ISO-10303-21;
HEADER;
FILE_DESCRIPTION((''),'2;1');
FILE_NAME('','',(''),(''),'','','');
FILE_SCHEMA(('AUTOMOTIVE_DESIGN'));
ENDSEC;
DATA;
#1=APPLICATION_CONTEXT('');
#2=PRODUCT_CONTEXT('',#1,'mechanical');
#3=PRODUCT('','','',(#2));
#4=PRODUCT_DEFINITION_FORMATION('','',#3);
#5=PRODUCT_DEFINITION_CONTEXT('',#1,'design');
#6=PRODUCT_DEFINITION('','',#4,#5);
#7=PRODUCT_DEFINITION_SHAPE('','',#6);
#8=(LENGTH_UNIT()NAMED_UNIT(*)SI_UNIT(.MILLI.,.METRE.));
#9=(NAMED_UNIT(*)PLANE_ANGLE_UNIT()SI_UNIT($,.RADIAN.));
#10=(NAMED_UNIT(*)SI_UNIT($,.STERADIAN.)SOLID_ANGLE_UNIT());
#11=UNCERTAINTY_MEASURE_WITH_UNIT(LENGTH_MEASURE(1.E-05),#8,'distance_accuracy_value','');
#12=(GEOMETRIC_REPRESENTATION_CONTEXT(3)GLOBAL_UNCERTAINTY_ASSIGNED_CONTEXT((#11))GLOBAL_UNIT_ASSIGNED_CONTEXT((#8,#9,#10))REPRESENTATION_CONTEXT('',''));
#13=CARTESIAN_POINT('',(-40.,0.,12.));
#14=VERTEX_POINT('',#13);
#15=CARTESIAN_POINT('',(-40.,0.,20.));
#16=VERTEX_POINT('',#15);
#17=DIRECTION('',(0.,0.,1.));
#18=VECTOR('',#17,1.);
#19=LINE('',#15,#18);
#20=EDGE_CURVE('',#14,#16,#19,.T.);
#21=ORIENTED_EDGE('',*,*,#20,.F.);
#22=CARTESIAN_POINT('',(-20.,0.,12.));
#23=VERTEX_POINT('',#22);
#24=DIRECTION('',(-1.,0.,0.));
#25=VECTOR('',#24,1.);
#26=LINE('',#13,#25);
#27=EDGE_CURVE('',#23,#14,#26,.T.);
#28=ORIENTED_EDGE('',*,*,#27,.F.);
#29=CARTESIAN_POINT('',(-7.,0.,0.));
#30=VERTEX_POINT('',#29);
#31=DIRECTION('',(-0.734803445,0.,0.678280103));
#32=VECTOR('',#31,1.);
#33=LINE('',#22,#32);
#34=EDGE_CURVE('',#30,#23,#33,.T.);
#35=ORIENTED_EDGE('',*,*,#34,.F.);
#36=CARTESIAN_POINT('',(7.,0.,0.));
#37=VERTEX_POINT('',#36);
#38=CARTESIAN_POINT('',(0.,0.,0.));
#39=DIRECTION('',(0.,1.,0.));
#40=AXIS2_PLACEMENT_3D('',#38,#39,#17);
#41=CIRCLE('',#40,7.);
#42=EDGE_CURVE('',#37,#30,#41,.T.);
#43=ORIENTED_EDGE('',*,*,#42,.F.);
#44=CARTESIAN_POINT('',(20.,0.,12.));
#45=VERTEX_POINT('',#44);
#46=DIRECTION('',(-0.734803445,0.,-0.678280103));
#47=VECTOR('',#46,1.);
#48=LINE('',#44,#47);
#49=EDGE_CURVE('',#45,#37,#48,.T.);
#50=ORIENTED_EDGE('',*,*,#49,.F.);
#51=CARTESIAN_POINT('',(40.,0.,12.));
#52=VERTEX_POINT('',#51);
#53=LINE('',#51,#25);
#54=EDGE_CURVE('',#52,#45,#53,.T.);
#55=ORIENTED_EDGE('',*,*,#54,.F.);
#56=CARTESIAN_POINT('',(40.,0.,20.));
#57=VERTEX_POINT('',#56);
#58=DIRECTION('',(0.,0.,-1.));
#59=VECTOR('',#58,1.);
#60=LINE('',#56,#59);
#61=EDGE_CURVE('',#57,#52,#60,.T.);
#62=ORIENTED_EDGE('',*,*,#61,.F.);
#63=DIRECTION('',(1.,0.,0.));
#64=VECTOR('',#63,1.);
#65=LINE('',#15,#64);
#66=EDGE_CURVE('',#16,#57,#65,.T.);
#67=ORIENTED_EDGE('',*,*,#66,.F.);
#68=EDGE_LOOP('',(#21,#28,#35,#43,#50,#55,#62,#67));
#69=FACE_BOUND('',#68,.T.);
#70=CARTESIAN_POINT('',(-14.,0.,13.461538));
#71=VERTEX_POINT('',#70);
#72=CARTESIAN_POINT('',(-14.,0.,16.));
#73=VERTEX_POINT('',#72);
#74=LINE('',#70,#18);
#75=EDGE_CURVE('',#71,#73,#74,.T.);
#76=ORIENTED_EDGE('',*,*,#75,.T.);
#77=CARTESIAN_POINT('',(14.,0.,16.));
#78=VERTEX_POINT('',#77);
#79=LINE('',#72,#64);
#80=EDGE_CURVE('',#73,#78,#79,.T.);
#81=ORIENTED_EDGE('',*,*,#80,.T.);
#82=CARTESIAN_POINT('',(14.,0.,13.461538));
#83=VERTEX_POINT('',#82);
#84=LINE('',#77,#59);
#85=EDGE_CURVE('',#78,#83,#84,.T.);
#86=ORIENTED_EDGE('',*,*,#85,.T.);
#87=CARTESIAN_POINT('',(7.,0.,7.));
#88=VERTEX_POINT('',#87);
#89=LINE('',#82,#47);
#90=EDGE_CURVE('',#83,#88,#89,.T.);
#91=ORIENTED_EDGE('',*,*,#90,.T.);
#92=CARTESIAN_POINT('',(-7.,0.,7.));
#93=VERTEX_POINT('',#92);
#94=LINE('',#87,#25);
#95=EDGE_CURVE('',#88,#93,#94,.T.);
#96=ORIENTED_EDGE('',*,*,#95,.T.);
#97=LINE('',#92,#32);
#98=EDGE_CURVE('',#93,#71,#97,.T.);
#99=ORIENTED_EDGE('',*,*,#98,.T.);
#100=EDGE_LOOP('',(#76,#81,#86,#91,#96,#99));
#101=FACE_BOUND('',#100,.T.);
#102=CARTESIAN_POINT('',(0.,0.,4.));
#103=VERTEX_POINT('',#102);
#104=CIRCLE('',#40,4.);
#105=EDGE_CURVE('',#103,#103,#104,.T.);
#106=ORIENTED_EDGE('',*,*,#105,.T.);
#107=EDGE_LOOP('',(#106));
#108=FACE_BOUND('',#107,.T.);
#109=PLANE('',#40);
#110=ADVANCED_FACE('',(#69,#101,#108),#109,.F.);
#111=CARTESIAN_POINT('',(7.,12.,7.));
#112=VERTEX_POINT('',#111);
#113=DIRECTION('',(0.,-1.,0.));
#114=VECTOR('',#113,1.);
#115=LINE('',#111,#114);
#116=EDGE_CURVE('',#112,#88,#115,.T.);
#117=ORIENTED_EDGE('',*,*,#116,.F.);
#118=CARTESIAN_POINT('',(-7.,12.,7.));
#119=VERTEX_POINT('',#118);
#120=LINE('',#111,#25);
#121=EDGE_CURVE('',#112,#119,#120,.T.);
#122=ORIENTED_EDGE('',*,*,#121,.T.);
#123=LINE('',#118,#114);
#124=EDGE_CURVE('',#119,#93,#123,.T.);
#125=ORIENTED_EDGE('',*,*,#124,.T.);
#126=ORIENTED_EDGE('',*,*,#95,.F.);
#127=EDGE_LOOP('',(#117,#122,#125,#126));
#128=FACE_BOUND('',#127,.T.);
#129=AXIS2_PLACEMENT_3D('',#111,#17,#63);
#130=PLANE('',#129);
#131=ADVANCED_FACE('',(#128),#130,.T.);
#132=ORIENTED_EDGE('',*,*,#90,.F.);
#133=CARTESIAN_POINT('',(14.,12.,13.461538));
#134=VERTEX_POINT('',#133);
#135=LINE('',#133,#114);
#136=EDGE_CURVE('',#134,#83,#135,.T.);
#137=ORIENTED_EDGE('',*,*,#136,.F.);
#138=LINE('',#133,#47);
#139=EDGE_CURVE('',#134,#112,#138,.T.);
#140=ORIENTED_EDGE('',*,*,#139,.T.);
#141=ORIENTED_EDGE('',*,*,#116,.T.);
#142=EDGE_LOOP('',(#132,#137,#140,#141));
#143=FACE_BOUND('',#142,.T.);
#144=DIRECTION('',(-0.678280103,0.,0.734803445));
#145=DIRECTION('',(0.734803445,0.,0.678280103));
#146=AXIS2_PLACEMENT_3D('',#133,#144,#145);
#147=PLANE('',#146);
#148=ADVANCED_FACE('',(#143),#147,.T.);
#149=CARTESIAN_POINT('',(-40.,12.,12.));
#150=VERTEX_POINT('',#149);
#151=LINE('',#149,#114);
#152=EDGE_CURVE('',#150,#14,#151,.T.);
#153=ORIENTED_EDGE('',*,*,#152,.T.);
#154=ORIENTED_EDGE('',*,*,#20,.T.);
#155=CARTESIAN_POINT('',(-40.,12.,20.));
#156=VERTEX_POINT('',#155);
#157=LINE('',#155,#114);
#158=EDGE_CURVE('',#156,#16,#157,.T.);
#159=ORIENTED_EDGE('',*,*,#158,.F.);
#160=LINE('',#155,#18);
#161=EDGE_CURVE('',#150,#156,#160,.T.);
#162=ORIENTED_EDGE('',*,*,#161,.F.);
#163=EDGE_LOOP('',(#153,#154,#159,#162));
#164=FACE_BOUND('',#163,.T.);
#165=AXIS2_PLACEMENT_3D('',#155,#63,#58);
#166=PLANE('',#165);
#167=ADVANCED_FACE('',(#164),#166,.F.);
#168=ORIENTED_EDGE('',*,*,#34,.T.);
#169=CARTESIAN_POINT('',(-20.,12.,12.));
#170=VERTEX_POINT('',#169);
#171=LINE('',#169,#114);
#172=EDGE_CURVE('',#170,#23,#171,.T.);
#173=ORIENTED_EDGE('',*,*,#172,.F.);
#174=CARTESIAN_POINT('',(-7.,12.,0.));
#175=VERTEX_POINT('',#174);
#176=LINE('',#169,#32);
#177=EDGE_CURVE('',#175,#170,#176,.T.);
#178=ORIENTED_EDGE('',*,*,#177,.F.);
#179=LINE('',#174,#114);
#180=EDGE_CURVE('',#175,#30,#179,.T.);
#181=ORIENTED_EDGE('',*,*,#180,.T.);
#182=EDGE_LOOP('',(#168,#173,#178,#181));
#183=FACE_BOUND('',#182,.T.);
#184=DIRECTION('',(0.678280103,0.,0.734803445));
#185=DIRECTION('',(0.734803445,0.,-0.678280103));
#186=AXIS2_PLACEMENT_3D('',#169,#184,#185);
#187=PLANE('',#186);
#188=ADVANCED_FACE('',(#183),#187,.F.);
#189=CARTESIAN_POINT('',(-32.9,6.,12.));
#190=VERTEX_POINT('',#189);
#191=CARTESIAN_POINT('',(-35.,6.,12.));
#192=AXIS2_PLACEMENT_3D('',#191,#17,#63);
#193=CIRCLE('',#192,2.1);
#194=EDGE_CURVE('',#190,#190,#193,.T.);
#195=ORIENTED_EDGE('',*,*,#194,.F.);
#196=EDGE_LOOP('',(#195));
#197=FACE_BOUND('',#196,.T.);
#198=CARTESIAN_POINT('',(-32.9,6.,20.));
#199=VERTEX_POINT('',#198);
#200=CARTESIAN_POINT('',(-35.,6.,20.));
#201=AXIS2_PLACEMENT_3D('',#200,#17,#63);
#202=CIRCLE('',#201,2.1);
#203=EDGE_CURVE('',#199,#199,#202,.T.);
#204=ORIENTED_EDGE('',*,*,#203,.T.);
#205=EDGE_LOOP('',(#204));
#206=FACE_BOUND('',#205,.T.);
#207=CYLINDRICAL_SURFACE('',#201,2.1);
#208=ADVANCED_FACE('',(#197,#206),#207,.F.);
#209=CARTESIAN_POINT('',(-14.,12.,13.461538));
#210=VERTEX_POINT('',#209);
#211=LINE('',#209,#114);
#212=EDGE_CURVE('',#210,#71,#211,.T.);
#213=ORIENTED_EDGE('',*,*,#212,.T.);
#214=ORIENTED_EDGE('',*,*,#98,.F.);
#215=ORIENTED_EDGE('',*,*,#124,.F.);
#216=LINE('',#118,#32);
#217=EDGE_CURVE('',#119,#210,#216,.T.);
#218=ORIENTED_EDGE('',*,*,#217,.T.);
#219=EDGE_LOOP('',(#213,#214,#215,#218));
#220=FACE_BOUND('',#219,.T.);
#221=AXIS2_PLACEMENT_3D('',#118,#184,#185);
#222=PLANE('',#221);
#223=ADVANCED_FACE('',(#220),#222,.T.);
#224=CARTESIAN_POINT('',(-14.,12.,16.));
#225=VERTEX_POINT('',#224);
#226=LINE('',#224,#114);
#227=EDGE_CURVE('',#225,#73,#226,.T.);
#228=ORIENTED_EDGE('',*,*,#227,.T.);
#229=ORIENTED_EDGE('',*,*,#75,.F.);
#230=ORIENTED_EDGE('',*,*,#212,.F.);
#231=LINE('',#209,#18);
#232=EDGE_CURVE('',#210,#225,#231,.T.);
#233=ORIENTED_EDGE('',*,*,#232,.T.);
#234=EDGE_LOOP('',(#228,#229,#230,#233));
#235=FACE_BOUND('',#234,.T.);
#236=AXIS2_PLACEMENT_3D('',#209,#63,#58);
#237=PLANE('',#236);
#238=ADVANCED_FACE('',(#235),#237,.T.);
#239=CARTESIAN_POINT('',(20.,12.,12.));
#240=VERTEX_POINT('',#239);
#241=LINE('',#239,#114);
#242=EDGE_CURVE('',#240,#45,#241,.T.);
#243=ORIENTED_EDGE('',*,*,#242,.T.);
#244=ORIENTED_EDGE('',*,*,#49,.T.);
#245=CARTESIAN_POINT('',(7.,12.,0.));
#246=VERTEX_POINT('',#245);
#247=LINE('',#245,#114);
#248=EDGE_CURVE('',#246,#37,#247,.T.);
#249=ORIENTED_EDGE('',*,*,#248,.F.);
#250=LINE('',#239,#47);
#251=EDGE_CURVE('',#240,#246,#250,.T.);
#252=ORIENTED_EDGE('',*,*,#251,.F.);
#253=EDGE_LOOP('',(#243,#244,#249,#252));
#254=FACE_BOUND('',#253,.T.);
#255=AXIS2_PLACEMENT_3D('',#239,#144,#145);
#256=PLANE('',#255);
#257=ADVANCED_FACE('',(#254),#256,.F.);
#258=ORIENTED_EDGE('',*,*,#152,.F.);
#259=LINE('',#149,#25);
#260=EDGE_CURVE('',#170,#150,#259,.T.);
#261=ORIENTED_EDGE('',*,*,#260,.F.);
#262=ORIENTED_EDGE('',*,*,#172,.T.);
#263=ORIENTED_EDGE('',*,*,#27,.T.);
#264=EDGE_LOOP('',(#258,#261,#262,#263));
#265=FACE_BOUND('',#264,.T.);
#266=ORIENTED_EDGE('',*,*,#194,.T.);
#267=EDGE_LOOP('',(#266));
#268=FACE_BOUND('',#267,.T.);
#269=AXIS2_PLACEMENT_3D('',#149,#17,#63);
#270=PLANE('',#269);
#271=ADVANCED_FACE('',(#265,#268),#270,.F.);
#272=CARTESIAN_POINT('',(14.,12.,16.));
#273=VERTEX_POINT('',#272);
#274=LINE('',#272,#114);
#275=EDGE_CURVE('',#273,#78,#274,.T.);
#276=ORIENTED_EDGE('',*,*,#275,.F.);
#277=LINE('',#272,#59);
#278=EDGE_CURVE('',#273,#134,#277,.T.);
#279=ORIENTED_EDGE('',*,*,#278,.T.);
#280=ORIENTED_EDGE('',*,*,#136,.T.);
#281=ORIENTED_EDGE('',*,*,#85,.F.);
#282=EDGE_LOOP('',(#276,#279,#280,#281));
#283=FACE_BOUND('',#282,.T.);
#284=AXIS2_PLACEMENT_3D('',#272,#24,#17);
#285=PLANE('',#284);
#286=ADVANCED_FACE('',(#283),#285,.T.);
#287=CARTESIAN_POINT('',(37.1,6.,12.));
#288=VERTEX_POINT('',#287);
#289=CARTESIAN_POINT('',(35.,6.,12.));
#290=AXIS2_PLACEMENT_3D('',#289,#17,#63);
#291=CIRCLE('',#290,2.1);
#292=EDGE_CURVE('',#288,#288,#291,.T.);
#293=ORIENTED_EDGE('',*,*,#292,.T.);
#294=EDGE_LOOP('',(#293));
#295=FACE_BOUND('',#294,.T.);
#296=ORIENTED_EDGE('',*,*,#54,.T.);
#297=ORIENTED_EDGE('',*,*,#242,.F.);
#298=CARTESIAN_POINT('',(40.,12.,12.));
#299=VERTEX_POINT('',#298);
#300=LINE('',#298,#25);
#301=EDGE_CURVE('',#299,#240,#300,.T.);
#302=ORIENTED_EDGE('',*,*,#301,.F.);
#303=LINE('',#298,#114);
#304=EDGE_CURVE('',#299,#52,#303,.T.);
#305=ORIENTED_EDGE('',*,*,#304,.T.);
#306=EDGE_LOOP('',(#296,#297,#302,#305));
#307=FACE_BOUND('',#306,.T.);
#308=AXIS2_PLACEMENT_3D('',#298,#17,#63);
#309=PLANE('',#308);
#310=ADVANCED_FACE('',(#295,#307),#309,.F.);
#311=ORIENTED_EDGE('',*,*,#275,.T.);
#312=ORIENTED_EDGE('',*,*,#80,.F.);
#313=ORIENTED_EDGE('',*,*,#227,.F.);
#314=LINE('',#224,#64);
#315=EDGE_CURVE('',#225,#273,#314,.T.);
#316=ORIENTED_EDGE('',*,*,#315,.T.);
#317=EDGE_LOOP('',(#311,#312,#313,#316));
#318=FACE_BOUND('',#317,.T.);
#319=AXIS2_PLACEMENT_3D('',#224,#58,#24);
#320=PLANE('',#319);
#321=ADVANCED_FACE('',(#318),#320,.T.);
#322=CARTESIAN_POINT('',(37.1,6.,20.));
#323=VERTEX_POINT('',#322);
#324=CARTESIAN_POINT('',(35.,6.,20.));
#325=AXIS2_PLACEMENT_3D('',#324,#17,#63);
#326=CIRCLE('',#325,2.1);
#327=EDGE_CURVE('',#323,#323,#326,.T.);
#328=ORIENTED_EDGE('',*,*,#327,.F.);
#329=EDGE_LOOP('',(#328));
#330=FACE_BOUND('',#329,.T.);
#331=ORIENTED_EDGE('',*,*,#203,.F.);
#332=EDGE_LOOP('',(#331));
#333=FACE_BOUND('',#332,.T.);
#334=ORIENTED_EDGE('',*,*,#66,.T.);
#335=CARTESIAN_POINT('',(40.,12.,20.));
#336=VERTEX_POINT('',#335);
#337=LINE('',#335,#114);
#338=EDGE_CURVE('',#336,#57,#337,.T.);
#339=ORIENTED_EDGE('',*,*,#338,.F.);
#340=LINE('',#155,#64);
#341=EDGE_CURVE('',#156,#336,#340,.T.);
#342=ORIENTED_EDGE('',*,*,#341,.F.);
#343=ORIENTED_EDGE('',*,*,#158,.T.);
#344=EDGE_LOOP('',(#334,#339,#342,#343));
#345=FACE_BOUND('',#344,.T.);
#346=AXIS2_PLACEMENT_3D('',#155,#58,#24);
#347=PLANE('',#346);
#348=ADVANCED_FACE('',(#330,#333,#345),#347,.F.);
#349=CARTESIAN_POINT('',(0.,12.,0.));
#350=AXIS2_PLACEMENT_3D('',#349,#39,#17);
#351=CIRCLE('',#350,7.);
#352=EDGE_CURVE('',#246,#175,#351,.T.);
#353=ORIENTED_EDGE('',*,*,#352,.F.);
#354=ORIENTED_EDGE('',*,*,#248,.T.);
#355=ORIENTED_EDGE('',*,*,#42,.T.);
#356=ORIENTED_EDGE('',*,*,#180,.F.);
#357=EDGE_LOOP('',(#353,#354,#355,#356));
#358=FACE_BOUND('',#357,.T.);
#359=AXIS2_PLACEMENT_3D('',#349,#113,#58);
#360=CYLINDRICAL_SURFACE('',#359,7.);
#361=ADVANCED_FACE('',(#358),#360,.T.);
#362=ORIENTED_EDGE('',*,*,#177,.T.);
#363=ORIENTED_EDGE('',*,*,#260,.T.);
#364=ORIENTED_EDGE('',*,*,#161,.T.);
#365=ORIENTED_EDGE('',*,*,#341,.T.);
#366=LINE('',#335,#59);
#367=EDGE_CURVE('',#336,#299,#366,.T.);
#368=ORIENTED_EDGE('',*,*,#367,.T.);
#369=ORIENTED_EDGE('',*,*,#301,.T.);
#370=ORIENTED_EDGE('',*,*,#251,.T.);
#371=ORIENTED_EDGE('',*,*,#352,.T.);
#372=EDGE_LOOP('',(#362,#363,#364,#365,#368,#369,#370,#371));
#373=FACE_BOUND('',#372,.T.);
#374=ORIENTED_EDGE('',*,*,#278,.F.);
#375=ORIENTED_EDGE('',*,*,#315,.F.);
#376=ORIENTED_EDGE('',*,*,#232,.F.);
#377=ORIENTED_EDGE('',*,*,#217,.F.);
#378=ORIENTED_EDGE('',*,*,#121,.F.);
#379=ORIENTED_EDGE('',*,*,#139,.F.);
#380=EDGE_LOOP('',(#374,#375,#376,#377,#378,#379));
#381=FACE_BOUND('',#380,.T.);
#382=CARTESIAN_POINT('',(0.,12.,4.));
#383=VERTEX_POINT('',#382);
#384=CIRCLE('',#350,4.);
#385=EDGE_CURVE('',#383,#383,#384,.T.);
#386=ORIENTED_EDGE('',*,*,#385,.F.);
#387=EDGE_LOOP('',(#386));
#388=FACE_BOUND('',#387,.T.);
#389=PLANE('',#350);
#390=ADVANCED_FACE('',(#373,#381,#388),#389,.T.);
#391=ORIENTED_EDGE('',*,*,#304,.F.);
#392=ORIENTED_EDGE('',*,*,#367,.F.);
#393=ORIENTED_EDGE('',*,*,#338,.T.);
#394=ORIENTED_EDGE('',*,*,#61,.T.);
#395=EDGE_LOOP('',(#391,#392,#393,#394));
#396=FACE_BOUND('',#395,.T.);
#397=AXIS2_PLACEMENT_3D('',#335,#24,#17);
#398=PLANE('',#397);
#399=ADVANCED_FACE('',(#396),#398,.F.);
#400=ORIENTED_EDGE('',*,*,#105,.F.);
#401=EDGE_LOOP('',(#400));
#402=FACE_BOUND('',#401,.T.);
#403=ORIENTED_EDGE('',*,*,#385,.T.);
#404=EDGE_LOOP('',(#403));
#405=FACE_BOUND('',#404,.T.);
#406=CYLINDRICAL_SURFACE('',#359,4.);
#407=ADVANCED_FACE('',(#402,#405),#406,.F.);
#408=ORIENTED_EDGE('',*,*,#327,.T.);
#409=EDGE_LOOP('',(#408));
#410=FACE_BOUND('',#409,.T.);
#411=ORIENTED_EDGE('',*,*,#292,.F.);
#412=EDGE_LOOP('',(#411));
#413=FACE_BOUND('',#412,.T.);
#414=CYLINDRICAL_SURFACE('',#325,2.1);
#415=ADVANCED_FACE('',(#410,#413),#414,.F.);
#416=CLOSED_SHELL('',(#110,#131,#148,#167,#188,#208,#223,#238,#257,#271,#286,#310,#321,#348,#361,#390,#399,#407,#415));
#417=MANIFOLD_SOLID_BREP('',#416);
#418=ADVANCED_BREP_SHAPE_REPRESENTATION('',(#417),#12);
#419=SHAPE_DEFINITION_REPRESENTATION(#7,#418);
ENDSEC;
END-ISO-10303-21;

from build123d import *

# Parameters (mm, degrees)
SKETCH_1_R            = 4
EXTRUDE_1_DEPTH       = 12
HOLE_WIZARD_M41_D     = 4.2
HOLE_WIZARD_M41_DEPTH = 8
HOLE_WIZARD_M41_TIP   = 1.2618073


with BuildPart() as part:
    # Эскиз1 → Бобышка-Вытянуть1 (new body)
    with BuildSketch(Plane(origin=(0, 0, 0), x_dir=(1, 0, 0), z_dir=(0, 1, 0))):
        with BuildLine():
            Line((-40, -20), (40, -20))
            Line((40, -20), (40, -12))
            Line((40, -12), (20, -12))
            Line((20, -12), (7, 0))
            ThreePointArc((7, 0), (0, 7), (-7, 0))
            Line((-7, 0), (-20, -12))
            Line((-20, -12), (-40, -12))
            Line((-40, -12), (-40, -20))
        make_face()
        Circle(SKETCH_1_R, mode=Mode.SUBTRACT)
        Polygon((-14, -16), (14, -16), (14, -13.461538462), (7, -7), (-7, -7), (-14, -13.461538462), align=None, mode=Mode.SUBTRACT)
    extrude(amount=EXTRUDE_1_DEPTH)

    # Сверло под метчик  спиральное M41
    with Locations(Plane.XY.offset(20)):
        with Locations((-35, 6), (35, 6)):
            Hole(HOLE_WIZARD_M41_D / 2, depth=HOLE_WIZARD_M41_DEPTH)
            with Locations((0, 0, -(HOLE_WIZARD_M41_DEPTH + HOLE_WIZARD_M41_TIP / 2))):  # 118° drill point
                Cone(0, HOLE_WIZARD_M41_D / 2, HOLE_WIZARD_M41_TIP, mode=Mode.SUBTRACT)


solid = part.part
